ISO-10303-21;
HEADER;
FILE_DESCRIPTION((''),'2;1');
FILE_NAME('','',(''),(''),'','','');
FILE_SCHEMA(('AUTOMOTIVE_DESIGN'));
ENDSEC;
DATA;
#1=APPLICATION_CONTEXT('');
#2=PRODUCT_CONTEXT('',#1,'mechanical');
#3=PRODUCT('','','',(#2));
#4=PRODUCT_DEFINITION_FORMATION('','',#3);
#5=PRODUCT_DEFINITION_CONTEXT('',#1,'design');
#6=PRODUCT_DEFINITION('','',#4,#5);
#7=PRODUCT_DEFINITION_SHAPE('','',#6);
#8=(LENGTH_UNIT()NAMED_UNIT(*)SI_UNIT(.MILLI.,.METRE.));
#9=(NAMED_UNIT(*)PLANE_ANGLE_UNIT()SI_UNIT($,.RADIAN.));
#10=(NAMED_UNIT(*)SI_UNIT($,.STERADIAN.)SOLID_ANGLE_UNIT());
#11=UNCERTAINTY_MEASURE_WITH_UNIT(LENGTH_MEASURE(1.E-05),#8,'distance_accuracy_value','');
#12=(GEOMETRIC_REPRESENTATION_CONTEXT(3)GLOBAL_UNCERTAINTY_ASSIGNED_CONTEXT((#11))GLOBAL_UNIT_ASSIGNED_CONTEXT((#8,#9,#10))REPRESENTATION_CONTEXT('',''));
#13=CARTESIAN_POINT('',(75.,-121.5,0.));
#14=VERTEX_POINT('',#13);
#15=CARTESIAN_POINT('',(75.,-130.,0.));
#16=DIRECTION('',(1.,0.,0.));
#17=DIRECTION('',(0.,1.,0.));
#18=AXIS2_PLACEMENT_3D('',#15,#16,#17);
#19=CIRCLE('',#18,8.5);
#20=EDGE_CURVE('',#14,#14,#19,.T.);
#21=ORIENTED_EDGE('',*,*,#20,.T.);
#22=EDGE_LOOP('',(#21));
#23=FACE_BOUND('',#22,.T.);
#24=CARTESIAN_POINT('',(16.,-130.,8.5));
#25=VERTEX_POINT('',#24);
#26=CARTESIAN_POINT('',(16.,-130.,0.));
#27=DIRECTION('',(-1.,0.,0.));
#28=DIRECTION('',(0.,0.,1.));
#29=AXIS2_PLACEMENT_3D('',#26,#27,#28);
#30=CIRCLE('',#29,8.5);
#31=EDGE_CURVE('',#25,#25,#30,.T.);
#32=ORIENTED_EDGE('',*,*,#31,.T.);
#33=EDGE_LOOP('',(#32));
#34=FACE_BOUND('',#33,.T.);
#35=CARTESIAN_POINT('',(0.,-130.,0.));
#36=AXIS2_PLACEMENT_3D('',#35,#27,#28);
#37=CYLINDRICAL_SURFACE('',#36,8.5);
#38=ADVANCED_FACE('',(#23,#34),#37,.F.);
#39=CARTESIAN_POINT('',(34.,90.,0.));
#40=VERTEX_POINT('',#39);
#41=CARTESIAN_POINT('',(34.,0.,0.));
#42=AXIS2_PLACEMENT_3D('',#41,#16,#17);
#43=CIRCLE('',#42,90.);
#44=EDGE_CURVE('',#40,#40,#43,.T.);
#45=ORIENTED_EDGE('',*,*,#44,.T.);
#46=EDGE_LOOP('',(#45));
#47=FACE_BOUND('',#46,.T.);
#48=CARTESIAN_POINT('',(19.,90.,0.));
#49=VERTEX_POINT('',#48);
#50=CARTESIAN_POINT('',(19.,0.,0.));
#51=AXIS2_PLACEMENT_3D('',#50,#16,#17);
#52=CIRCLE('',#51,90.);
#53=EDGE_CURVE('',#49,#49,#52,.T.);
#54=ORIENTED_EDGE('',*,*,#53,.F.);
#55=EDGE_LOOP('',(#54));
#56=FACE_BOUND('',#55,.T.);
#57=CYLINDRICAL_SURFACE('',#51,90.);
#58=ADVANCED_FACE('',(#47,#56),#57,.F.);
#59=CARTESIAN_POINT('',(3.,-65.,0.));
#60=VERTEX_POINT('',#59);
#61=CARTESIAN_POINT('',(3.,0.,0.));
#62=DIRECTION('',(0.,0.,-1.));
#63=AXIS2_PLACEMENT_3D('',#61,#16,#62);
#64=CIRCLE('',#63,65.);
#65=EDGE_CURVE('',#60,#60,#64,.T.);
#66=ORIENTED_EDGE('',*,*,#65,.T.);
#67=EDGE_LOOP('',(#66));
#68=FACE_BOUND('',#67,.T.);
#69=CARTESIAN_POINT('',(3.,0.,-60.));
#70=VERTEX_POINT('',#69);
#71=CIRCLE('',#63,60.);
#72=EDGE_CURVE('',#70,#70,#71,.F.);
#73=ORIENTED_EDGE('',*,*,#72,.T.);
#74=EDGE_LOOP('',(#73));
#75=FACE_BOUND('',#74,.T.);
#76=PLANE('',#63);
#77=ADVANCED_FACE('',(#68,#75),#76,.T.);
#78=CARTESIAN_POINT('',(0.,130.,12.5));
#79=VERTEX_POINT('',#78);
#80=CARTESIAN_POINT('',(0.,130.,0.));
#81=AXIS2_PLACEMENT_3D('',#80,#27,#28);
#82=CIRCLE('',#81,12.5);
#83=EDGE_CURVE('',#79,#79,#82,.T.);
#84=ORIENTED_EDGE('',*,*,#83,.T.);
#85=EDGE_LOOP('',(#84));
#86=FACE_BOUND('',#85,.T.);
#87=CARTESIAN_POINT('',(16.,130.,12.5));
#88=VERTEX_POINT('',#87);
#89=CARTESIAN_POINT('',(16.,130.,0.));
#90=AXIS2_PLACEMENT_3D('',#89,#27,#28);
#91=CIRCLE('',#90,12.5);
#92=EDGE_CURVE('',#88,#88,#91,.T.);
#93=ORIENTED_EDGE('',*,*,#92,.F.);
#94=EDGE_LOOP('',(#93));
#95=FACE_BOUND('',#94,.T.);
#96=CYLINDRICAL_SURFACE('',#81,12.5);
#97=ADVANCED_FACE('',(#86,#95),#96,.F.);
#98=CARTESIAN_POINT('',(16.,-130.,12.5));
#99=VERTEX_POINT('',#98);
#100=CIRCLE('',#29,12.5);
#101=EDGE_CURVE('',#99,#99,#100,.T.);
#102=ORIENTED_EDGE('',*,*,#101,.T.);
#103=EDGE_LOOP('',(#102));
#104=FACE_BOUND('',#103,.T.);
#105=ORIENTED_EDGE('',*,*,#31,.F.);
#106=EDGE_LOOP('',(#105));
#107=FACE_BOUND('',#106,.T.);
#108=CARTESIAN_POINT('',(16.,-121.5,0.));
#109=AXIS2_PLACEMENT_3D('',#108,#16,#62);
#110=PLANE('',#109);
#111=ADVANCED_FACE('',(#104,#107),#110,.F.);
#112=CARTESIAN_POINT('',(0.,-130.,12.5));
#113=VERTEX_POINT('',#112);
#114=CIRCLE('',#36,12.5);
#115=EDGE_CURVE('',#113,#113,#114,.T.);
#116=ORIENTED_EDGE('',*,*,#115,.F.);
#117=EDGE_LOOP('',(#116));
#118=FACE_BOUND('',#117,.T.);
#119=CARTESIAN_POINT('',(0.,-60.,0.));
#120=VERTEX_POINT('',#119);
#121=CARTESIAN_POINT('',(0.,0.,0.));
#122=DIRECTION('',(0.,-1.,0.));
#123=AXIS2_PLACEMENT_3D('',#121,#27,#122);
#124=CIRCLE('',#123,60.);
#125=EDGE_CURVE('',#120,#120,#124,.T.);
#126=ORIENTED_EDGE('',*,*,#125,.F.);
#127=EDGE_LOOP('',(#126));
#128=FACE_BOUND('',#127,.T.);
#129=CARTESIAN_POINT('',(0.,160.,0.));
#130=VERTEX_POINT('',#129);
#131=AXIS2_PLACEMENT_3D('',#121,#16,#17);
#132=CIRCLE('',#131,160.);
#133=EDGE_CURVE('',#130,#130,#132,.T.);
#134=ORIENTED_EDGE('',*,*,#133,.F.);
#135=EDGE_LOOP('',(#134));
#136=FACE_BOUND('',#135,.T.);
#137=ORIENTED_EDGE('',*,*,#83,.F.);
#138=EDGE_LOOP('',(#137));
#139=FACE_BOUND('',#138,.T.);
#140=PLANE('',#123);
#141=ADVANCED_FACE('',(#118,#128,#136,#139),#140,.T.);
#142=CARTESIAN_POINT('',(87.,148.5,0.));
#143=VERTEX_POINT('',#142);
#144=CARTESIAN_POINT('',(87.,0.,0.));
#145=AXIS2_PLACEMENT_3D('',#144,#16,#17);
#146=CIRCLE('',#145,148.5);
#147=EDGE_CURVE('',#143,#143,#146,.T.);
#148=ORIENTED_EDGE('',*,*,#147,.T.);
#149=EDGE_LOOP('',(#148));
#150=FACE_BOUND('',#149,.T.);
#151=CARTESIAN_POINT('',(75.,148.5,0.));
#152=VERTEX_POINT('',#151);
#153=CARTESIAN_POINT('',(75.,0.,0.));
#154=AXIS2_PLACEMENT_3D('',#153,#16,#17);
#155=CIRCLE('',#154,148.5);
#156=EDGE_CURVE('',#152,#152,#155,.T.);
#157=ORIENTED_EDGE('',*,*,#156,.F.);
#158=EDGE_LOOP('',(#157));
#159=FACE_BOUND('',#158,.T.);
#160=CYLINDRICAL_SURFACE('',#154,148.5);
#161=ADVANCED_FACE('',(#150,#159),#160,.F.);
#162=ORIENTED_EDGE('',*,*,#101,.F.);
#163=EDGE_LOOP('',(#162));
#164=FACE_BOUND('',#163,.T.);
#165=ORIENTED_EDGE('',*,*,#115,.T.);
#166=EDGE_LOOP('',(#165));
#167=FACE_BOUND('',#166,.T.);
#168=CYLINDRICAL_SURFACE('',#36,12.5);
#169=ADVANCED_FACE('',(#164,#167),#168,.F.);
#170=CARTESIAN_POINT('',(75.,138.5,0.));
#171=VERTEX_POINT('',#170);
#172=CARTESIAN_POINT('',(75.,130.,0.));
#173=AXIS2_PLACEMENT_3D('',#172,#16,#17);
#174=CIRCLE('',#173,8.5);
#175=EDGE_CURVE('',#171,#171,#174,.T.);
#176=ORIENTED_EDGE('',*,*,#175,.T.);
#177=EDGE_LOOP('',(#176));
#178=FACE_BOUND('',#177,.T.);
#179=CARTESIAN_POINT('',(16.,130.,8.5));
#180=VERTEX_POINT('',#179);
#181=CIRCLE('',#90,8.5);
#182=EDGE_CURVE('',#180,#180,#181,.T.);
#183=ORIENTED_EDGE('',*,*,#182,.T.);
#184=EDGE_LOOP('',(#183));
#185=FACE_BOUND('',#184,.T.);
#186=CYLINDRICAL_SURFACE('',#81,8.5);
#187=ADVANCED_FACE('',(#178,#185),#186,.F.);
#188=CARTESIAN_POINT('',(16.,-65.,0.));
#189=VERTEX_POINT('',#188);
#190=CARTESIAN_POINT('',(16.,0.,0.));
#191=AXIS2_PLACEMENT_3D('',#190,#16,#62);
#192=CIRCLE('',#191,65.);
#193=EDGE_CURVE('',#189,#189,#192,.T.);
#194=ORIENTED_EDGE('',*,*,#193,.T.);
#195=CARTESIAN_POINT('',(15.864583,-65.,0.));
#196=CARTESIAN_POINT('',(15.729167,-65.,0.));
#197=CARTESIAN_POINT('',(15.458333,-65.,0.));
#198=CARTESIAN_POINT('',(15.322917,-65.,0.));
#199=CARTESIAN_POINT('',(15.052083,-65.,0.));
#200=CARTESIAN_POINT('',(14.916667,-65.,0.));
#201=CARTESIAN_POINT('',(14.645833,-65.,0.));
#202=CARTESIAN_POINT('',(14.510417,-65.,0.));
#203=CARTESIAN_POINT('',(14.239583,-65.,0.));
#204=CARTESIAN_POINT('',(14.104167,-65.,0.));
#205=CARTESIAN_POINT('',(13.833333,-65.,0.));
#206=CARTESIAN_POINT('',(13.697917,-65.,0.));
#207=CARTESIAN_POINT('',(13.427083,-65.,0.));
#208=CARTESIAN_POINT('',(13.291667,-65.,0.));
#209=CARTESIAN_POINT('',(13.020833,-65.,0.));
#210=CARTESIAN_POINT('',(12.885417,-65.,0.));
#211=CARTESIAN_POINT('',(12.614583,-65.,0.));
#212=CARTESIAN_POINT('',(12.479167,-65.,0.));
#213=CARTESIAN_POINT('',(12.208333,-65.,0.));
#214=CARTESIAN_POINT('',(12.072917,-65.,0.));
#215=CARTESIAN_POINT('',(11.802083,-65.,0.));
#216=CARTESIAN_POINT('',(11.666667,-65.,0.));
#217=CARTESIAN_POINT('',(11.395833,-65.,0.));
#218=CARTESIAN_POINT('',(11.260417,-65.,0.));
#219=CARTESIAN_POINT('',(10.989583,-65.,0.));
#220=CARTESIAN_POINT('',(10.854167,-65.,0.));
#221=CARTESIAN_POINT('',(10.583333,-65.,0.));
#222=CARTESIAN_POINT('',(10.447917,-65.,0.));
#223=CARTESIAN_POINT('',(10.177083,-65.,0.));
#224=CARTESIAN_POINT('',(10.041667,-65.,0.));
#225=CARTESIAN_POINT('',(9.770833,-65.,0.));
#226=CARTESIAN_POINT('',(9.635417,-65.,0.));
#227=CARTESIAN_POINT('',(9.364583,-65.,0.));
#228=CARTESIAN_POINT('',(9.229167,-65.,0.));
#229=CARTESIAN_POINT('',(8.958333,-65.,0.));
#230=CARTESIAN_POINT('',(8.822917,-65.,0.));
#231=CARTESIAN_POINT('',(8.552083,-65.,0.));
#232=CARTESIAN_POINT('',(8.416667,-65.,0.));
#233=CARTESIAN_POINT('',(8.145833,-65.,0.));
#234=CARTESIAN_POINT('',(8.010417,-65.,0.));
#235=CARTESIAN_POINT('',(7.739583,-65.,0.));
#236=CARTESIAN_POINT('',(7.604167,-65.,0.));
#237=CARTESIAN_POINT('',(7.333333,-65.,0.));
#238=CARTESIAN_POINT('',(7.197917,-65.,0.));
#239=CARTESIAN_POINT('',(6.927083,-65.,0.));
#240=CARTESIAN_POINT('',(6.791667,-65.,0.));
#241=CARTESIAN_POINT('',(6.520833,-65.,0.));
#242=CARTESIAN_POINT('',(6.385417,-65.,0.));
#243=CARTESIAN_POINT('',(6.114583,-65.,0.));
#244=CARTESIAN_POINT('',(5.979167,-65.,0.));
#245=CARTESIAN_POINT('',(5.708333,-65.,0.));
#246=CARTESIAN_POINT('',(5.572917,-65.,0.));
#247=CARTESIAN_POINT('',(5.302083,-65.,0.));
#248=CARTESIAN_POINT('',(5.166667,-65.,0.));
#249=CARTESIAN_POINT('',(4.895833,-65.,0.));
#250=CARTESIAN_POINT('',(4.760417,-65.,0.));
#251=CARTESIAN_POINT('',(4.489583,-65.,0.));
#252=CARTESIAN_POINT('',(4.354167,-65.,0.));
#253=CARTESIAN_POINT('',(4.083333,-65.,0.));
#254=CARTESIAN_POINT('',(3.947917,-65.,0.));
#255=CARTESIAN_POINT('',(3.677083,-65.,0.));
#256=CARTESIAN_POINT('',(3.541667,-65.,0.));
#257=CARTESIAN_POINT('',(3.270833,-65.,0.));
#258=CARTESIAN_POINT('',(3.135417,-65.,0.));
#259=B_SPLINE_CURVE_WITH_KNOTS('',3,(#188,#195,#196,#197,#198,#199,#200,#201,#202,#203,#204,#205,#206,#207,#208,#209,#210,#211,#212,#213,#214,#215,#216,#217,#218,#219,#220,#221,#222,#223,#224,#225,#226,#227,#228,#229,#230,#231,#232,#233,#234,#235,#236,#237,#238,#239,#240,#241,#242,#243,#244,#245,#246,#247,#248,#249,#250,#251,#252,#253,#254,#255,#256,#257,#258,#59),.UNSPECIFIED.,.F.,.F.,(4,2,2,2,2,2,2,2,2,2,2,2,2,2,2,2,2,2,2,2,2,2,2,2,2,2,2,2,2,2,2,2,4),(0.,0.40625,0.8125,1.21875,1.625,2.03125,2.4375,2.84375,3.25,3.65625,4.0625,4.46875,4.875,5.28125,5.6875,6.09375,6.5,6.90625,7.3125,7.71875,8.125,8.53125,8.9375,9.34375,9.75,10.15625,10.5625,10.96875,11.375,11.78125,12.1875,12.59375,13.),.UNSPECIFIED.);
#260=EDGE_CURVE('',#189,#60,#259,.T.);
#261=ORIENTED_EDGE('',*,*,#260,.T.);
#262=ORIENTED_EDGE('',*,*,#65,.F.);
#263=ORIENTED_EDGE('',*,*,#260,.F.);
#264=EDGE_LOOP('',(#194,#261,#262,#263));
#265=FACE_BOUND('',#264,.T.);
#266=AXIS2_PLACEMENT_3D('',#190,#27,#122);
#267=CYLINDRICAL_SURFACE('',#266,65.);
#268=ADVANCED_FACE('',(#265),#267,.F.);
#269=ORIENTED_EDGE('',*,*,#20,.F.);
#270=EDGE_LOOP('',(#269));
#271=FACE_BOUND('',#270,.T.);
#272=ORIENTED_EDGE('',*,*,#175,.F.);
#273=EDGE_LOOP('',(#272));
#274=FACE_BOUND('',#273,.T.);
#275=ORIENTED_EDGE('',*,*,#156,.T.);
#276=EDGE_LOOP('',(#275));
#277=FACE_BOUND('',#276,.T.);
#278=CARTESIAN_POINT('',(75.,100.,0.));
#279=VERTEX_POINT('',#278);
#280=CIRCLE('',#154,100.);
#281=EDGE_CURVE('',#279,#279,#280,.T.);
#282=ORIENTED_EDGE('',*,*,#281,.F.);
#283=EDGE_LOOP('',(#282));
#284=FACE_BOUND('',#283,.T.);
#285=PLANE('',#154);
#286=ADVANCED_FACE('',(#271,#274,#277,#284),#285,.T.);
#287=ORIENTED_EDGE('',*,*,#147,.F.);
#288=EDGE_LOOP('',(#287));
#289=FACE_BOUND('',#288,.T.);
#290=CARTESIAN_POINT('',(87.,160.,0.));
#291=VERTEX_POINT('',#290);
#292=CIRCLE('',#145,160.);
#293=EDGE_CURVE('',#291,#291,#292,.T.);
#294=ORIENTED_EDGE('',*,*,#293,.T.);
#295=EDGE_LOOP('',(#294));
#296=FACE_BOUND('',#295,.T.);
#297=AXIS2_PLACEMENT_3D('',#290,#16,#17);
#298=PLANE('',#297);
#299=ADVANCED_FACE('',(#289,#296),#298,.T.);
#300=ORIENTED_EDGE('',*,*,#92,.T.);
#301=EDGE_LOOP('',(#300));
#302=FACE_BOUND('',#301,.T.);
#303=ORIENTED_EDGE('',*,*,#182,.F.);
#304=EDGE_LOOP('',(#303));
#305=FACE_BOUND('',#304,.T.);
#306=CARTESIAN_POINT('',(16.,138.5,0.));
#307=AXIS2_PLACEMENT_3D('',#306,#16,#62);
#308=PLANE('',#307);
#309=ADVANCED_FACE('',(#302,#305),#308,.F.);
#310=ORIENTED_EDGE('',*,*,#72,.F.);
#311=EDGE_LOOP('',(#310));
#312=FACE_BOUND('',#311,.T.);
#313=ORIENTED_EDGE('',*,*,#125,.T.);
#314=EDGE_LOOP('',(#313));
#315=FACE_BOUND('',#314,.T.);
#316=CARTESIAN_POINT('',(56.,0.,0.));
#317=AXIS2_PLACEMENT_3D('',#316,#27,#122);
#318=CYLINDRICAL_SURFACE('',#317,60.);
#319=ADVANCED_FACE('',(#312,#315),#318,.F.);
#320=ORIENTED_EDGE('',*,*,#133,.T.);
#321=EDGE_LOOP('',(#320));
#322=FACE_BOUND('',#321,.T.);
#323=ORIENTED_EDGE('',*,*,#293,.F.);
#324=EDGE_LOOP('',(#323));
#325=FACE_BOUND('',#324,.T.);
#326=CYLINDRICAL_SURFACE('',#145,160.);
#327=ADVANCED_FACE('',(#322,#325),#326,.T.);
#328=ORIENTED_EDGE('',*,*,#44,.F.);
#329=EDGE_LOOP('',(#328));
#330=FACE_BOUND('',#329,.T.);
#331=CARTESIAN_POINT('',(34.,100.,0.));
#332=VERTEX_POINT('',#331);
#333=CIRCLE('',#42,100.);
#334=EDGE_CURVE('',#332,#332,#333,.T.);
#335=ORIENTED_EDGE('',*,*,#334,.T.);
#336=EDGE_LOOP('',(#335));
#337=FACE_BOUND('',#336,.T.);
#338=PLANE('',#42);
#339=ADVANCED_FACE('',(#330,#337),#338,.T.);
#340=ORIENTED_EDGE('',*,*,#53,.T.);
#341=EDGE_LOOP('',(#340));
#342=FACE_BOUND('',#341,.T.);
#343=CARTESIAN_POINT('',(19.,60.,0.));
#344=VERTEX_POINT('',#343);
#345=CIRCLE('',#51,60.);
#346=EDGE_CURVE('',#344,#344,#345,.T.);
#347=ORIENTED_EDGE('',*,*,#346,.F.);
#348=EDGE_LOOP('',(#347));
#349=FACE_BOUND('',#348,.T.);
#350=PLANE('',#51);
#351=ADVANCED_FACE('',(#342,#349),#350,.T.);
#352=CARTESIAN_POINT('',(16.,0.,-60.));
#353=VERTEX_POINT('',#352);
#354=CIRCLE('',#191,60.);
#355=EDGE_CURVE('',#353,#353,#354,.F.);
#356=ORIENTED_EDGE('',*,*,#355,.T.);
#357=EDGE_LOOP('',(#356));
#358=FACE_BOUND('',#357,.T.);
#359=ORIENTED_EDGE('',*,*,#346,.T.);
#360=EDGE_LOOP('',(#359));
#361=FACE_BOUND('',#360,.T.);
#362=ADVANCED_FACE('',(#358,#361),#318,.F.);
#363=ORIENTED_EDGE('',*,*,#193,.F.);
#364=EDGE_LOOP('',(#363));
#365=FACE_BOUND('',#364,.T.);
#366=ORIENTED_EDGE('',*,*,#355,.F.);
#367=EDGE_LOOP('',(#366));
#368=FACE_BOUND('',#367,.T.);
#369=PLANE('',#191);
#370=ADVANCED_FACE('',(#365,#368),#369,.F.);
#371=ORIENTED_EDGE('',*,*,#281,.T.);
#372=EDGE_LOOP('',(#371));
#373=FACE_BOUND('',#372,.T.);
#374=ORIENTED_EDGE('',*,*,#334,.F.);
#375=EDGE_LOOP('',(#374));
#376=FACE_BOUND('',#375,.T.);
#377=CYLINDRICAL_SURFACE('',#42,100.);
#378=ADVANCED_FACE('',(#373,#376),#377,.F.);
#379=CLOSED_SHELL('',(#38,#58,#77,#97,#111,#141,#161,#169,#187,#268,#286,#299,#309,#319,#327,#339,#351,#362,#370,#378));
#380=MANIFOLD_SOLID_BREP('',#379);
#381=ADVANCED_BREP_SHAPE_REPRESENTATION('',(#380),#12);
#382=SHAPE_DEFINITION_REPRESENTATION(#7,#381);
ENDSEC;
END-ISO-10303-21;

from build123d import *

# Parameters (mm, degrees)
ESQUISSE1_W             = 87
ESQUISSE1_H             = 160
ESQUISSE2_R             = 148.5
ENL_V_MAT_EXTRU_1_DEPTH = 12
ESQUISSE2_3_R           = 100
ESQUISSE2_3_R_2         = 90
ENL_V_MAT_EXTRU_2_DEPTH = 53
ESQUISSE4_R             = 90
ENL_V_MAT_EXTRU_3_DEPTH = 56
ESQUISSE10_R            = 60
ENL_V_MAT_EXTRU_4_DEPTH = 56
ENL_V_START             = 3
ESQUISSE11_R            = 65
ENL_V_MAT_EXTRU_7_DEPTH = 13
PER_AGE2_D              = 17
PER_AGE2_DEPTH          = 83
PER_AGE2_CBORE_D        = 25
PER_AGE2_CBORE_DEPTH    = 16


with BuildPart() as part:
    # Esquisse1 → Révolution1 (revolve)
    with BuildSketch(Plane.XY):
        with Locations((43.5, 80)):
            Rectangle(ESQUISSE1_W, ESQUISSE1_H)
    revolve(axis=Axis((87, 0, 0), (-1, 0, 0)))

    # Esquisse2 → Enlèv. mat.-Extru.1 (cut)
    with BuildSketch(Plane(origin=(87, 0, 0), x_dir=(0, 0, -1), z_dir=(1, 0, 0))):
        Circle(ESQUISSE2_R)
    extrude(amount=-ENL_V_MAT_EXTRU_1_DEPTH, mode=Mode.SUBTRACT)

    # Esquisse2<3> → Enlèv. mat.-Extru.2 (cut)
    with BuildSketch(Plane(origin=(87, 0, 0), x_dir=(0, 0, -1), z_dir=(1, 0, 0))):
        Circle(ESQUISSE2_3_R)
        Circle(ESQUISSE2_3_R_2, mode=Mode.SUBTRACT)
    extrude(amount=-ENL_V_MAT_EXTRU_2_DEPTH, mode=Mode.SUBTRACT)

    # Esquisse4 → Enlèv. mat.-Extru.3 (cut)
    with BuildSketch(Plane(origin=(75, 0, 0), x_dir=(0, 0, -1), z_dir=(1, 0, 0))):
        Circle(ESQUISSE4_R)
    extrude(amount=-ENL_V_MAT_EXTRU_3_DEPTH, mode=Mode.SUBTRACT)

    # Esquisse10 → Enlèv. mat.-Extru.4 (cut)
    with BuildSketch(Plane.ZY):
        Circle(ESQUISSE10_R)
    extrude(amount=-ENL_V_MAT_EXTRU_4_DEPTH, mode=Mode.SUBTRACT)

    # Esquisse11 → Enlèv. mat.-Extru.7 (cut)
    with BuildSketch(Plane(origin=(0, 0, 0), x_dir=(0, 0, -1), z_dir=(1, 0, 0)).offset(ENL_V_START)):
        Circle(ESQUISSE11_R)
    extrude(amount=ENL_V_MAT_EXTRU_7_DEPTH, mode=Mode.SUBTRACT)

    # Perçage2
    with Locations(Plane(origin=(0, 130, 0), x_dir=(0, 0, -1), z_dir=(-1, 0, 0))):
        with Locations((0, 0), (0, 260)):
            CounterBoreHole(PER_AGE2_D / 2, PER_AGE2_CBORE_D / 2, PER_AGE2_CBORE_DEPTH, depth=PER_AGE2_DEPTH)


solid = part.part
